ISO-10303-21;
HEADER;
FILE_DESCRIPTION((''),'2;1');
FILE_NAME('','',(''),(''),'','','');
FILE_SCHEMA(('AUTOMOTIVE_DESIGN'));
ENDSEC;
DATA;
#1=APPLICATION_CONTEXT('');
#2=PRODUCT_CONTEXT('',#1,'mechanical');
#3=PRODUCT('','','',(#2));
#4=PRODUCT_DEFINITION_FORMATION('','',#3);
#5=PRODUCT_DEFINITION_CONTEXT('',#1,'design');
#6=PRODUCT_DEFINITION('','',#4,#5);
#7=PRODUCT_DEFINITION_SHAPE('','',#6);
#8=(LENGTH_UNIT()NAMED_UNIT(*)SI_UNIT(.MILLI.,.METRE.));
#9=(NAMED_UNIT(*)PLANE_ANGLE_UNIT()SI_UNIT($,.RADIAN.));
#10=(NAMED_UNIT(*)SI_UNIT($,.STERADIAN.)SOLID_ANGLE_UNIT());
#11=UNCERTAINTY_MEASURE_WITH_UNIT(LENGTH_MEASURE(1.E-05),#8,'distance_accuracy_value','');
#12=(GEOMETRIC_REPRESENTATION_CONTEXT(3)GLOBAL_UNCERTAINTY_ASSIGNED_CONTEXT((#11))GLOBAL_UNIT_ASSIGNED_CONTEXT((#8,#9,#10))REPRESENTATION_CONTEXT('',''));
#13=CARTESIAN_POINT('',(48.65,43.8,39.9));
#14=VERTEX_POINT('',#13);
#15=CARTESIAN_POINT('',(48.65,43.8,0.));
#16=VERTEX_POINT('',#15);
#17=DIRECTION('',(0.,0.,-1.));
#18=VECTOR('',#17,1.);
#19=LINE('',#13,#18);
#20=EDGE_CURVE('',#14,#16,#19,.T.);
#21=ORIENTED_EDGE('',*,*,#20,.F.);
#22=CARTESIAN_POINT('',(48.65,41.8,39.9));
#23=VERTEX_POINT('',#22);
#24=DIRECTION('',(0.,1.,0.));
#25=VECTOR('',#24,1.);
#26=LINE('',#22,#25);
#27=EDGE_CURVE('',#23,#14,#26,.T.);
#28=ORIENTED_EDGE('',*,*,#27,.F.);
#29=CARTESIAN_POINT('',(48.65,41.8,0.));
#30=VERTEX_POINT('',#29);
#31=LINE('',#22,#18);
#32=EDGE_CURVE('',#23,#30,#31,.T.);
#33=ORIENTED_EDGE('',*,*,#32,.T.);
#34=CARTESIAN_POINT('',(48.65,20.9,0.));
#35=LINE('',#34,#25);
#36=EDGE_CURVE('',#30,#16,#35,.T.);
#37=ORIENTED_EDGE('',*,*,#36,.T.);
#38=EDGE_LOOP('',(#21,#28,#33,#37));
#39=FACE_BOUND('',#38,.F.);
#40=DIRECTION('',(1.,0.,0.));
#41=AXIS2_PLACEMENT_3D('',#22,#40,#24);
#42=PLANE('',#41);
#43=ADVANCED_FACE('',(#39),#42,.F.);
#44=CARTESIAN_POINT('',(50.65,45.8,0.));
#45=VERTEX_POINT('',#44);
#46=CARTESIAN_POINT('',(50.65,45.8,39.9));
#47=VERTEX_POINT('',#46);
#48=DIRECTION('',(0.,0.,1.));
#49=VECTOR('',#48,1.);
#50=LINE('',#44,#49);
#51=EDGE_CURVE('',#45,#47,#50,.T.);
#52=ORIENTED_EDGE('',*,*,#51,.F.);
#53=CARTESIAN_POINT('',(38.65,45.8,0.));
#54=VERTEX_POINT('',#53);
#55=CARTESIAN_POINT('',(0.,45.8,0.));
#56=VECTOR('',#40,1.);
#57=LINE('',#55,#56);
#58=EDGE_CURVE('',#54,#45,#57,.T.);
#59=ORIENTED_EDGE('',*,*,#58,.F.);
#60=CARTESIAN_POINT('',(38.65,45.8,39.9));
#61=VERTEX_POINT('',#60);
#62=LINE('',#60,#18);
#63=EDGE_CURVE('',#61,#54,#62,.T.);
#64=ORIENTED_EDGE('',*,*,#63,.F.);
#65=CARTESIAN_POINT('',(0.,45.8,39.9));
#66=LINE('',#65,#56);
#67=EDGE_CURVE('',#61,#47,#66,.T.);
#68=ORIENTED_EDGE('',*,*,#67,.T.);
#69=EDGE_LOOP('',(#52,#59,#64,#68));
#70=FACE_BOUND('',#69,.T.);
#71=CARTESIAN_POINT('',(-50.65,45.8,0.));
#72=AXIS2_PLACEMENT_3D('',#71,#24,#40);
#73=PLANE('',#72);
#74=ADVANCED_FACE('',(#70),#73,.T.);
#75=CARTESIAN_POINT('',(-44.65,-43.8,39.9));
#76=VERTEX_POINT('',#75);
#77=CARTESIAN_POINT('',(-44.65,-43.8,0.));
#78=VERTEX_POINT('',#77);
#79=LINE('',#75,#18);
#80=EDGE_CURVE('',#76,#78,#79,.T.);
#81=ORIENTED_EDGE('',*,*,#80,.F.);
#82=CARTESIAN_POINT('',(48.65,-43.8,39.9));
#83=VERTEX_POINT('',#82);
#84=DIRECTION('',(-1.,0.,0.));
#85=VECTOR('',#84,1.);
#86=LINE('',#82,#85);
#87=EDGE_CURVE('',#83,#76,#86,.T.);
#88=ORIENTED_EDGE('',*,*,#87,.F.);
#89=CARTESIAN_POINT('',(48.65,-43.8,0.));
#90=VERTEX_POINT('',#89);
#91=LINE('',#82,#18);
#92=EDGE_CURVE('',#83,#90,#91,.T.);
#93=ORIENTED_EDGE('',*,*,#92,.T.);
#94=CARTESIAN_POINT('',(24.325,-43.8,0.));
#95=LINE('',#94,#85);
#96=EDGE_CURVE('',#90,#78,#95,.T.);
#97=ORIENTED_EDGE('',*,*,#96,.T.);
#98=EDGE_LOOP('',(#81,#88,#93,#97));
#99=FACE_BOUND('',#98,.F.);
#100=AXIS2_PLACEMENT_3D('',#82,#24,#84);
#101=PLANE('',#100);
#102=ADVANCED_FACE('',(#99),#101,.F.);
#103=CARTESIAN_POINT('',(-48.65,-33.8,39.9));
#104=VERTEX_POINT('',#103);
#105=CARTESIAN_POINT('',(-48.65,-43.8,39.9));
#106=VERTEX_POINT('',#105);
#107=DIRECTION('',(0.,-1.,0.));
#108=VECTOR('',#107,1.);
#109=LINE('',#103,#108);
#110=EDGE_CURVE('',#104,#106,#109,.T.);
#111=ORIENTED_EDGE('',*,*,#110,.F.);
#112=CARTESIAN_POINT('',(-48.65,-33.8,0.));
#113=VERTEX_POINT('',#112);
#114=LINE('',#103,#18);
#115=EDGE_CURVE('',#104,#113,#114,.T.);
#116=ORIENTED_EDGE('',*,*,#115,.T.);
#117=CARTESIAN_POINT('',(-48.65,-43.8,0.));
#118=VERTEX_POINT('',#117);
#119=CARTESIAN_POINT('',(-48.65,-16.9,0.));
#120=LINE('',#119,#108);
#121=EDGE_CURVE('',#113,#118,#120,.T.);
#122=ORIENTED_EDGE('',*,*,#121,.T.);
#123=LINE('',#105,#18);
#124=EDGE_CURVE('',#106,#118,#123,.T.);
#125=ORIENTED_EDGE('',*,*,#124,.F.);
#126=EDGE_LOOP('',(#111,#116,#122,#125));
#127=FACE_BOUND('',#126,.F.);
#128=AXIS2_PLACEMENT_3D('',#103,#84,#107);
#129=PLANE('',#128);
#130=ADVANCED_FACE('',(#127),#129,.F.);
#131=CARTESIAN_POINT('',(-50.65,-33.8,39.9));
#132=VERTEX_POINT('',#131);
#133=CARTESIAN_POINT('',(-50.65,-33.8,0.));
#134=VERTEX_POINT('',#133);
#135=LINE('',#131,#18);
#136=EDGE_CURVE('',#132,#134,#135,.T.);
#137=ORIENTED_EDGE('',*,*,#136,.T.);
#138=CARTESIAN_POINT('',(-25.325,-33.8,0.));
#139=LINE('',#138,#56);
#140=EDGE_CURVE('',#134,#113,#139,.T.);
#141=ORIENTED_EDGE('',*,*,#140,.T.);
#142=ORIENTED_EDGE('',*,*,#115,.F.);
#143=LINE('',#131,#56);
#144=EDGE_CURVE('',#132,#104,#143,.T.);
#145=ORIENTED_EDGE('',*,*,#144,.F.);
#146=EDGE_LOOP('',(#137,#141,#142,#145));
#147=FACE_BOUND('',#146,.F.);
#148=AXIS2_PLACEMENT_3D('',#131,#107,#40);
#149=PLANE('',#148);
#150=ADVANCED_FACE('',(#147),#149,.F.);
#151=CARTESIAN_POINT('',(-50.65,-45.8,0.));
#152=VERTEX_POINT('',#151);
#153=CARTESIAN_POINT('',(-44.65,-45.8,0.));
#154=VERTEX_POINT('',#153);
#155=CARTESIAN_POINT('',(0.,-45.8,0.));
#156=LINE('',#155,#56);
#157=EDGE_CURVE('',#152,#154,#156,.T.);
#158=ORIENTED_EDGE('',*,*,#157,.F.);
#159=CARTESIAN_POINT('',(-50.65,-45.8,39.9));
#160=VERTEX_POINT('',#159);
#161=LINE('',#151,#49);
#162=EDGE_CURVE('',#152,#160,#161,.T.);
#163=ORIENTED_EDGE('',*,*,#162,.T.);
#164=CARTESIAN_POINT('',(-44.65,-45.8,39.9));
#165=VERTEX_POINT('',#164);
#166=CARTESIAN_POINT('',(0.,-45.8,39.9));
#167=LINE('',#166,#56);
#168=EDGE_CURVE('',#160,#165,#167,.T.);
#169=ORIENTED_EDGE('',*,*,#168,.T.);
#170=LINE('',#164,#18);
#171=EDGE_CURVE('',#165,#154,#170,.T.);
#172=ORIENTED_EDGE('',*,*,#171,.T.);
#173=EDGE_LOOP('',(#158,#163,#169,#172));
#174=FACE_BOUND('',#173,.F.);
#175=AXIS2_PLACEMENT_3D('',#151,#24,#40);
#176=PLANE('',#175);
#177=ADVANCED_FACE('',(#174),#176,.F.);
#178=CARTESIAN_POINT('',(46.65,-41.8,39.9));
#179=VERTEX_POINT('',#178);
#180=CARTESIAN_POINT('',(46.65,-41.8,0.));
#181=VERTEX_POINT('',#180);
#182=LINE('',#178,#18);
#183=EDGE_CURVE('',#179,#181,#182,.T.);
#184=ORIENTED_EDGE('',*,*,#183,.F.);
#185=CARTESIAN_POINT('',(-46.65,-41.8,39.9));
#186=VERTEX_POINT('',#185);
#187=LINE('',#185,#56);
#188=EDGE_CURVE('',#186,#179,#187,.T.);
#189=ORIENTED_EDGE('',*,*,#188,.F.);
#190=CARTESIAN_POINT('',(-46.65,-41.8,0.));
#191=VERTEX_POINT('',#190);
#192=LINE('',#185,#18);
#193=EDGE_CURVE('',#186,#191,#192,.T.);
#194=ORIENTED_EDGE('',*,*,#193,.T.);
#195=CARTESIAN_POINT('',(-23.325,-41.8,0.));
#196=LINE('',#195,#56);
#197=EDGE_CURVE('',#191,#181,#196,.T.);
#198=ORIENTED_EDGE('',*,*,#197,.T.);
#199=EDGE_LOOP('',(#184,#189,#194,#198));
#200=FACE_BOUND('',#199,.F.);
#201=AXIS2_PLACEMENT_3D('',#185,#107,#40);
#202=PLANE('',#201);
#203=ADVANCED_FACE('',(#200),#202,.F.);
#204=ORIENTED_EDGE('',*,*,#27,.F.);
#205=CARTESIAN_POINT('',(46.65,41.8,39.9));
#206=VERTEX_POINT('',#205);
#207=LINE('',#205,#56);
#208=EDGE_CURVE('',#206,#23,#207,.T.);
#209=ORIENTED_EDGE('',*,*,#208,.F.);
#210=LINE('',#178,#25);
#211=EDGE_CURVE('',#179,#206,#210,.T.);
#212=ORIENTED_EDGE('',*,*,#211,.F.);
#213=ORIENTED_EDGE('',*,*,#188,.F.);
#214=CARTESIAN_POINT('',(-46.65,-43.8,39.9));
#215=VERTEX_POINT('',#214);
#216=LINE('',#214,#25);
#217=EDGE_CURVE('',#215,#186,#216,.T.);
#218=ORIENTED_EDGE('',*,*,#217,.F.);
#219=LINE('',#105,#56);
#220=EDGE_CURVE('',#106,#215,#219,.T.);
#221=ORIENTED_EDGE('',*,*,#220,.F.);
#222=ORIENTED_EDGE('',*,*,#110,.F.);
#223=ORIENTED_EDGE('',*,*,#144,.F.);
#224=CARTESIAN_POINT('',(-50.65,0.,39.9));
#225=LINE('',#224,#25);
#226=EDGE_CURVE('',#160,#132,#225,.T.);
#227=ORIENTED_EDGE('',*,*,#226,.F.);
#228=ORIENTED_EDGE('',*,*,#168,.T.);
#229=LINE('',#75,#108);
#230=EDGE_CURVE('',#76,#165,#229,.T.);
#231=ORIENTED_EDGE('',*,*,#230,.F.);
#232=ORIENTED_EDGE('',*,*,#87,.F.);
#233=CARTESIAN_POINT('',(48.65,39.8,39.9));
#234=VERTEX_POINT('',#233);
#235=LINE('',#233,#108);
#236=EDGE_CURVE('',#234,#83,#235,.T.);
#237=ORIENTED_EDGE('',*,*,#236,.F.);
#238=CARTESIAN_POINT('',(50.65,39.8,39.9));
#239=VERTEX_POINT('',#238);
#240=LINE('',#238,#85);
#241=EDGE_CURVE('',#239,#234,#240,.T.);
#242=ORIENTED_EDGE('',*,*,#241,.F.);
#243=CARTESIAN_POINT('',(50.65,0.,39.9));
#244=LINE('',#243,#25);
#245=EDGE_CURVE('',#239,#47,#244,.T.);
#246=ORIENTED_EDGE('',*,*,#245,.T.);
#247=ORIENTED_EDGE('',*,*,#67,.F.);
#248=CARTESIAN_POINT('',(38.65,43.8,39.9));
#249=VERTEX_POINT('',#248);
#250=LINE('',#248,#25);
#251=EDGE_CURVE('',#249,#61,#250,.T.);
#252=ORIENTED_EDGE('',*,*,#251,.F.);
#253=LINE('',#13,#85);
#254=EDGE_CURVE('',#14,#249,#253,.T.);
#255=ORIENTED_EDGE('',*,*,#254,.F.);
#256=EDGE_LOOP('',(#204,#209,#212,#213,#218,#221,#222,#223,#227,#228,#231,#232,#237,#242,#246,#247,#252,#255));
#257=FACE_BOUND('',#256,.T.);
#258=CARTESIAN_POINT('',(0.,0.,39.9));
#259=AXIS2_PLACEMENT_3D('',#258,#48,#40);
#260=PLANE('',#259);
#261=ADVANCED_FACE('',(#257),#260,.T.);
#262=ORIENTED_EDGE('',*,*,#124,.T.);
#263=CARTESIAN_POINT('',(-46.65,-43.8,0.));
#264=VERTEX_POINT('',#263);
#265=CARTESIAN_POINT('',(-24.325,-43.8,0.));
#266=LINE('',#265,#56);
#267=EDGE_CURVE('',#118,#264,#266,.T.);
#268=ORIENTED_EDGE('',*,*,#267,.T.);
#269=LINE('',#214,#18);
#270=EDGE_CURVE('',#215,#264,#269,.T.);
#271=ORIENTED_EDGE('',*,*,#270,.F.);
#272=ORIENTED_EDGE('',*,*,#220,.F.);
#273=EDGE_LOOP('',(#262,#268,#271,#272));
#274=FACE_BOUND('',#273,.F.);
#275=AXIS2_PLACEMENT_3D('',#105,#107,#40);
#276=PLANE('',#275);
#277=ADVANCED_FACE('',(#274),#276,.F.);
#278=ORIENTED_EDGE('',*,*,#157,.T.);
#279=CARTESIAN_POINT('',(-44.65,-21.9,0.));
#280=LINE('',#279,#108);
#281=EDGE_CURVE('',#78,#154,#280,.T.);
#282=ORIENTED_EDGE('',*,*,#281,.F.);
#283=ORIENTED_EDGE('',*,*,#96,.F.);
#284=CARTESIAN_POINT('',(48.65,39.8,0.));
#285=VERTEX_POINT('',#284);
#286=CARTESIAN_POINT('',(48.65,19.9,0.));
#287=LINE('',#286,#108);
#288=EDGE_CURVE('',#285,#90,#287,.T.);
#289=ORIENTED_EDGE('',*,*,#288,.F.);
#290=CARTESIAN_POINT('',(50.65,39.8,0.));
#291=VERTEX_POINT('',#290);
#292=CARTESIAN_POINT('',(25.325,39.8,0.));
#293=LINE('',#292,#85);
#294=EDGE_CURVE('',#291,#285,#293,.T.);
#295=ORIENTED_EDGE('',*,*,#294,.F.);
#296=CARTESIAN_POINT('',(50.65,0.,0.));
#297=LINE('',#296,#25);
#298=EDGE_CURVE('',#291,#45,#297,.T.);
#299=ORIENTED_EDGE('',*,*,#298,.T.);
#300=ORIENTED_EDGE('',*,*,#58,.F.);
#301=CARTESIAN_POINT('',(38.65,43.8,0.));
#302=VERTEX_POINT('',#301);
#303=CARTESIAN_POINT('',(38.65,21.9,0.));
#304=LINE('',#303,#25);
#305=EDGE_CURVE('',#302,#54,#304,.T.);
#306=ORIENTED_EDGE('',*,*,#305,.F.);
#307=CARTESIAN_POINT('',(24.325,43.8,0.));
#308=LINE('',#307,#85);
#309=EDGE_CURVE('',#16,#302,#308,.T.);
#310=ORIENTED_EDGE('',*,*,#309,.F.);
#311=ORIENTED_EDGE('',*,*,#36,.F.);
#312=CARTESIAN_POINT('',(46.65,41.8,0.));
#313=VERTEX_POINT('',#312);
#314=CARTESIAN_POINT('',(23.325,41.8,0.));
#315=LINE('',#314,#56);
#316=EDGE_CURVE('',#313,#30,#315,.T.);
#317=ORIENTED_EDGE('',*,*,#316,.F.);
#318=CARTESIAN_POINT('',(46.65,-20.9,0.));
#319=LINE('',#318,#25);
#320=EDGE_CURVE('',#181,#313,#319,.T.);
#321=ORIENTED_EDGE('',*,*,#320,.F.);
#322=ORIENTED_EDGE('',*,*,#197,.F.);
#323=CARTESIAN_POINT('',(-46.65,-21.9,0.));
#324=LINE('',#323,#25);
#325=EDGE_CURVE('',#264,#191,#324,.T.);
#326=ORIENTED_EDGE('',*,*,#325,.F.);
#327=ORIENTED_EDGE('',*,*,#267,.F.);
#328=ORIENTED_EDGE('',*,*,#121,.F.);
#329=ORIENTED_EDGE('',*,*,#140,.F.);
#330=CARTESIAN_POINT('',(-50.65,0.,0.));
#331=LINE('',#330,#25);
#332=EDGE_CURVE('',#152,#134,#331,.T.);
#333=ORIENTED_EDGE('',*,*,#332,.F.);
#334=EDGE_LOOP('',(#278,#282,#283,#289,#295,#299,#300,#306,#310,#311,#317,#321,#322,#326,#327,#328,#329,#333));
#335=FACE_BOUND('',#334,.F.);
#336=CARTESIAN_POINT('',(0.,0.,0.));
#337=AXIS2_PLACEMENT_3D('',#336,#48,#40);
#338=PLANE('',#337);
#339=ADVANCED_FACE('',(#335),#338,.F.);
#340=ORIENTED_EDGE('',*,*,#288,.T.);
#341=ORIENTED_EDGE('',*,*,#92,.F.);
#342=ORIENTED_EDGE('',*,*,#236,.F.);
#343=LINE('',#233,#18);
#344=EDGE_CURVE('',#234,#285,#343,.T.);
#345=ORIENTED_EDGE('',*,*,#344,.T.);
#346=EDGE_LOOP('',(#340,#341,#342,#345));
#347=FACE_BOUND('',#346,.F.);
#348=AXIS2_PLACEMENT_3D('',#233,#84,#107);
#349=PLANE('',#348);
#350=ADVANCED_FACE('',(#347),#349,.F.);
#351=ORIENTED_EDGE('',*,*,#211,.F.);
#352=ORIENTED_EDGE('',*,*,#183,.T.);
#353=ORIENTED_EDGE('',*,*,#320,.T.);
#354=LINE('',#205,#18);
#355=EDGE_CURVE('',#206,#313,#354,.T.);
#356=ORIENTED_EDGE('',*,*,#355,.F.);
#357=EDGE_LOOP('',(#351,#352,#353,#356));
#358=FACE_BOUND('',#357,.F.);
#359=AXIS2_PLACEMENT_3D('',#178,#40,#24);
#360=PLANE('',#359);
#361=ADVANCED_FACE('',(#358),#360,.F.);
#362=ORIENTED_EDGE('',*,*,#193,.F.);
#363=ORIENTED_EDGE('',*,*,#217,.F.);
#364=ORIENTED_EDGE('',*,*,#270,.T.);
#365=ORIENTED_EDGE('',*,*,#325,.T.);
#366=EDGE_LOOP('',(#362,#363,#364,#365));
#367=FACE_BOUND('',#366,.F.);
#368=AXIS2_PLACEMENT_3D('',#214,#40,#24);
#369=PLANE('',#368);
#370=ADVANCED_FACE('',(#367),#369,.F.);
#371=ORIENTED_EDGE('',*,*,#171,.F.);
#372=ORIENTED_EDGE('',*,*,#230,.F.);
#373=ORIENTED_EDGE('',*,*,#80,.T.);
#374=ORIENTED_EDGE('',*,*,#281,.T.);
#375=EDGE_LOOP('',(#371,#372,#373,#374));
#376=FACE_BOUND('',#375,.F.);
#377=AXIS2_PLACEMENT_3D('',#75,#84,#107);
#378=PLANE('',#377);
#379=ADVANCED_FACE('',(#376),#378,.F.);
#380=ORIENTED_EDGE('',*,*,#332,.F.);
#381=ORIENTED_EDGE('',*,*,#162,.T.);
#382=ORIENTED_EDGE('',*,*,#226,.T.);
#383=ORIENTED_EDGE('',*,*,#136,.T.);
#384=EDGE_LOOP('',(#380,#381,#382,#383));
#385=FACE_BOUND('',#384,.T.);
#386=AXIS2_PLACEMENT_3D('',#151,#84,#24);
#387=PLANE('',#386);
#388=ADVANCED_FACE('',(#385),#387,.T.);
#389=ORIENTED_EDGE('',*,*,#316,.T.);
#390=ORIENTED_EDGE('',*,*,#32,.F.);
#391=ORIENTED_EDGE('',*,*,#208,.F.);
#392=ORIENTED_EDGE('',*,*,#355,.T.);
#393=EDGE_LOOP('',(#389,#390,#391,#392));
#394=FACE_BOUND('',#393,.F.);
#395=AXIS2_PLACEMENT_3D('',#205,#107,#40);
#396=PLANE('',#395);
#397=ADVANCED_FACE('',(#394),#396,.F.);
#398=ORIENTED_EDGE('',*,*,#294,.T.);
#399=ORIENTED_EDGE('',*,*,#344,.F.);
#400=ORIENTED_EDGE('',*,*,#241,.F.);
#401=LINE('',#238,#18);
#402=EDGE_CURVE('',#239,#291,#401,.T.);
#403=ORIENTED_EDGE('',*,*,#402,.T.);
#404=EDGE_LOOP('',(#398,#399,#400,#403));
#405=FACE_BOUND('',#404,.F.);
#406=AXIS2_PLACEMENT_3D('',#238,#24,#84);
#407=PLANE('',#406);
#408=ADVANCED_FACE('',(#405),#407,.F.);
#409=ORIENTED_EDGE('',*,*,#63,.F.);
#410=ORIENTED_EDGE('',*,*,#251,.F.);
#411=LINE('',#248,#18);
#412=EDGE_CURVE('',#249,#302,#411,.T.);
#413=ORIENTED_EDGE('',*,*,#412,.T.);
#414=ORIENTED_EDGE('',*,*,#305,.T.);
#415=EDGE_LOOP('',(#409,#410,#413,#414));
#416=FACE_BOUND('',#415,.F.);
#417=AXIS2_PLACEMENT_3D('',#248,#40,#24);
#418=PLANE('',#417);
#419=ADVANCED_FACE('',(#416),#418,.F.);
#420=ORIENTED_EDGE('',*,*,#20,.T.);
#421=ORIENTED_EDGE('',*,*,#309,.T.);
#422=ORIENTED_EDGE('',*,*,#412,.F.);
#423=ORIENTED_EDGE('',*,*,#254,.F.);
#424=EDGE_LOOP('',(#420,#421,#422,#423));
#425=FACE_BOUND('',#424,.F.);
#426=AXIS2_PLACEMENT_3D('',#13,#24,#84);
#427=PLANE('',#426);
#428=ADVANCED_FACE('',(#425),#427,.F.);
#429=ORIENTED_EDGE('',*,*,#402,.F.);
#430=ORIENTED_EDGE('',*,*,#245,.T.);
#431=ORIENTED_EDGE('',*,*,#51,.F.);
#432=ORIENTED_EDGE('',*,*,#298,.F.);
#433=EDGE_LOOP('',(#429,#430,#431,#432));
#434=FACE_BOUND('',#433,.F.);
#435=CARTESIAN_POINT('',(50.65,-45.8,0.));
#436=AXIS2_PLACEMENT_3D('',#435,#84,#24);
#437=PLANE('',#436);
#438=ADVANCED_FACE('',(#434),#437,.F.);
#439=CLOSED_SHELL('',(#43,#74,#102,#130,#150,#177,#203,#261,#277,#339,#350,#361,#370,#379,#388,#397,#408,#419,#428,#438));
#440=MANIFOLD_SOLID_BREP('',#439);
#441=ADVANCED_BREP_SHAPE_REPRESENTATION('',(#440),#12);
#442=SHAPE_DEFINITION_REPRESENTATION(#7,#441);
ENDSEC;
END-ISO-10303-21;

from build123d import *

# Parameters (mm, degrees)
F0_W     = 101.3
F0_H     = 91.6
F1_DEPTH = 39.9
F3_DEPTH = 44.9
F4_W     = 91.3
F4_H     = 81.6
F5_DEPTH = 25
F7_DEPTH = 40


with BuildPart() as f1:
    # F0 (on Top) → F1 (new body)
    with BuildSketch(Plane.XY):
        Rectangle(F0_W, F0_H)
    extrude(amount=F1_DEPTH)

    # F2 (on face) → F3 (cut)
    with BuildSketch(Plane.XY.offset(39.9)):
        Polygon((38.65, 45.8), (-50.65, 45.8), (-50.65, -33.8), (-48.65, -33.8), (-48.65, -43.8), (-46.65, -43.8), (-46.65, -41.8), (46.65, -41.8), (46.65, 41.8), (48.65, 41.8), (48.65, 43.8), (38.65, 43.8), align=None)
    extrude(amount=-F3_DEPTH, mode=Mode.SUBTRACT)

    # F4 (on face) → F5 (cut)
    with BuildSketch(Plane(origin=(0, 0, 0), x_dir=(1, 0, 0), z_dir=(0, 0, -1))):
        Rectangle(F4_W, F4_H)
    extrude(amount=-F5_DEPTH, mode=Mode.SUBTRACT)

    # F6 (on face) → F7 (cut)
    with BuildSketch(Plane.XY.offset(39.9)):
        Polygon((-44.65, -45.8), (50.65, -45.8), (50.65, 39.8), (48.65, 39.8), (48.65, -43.8), (-44.65, -43.8), align=None)
    extrude(amount=-F7_DEPTH, mode=Mode.SUBTRACT)


solid = f1.part
